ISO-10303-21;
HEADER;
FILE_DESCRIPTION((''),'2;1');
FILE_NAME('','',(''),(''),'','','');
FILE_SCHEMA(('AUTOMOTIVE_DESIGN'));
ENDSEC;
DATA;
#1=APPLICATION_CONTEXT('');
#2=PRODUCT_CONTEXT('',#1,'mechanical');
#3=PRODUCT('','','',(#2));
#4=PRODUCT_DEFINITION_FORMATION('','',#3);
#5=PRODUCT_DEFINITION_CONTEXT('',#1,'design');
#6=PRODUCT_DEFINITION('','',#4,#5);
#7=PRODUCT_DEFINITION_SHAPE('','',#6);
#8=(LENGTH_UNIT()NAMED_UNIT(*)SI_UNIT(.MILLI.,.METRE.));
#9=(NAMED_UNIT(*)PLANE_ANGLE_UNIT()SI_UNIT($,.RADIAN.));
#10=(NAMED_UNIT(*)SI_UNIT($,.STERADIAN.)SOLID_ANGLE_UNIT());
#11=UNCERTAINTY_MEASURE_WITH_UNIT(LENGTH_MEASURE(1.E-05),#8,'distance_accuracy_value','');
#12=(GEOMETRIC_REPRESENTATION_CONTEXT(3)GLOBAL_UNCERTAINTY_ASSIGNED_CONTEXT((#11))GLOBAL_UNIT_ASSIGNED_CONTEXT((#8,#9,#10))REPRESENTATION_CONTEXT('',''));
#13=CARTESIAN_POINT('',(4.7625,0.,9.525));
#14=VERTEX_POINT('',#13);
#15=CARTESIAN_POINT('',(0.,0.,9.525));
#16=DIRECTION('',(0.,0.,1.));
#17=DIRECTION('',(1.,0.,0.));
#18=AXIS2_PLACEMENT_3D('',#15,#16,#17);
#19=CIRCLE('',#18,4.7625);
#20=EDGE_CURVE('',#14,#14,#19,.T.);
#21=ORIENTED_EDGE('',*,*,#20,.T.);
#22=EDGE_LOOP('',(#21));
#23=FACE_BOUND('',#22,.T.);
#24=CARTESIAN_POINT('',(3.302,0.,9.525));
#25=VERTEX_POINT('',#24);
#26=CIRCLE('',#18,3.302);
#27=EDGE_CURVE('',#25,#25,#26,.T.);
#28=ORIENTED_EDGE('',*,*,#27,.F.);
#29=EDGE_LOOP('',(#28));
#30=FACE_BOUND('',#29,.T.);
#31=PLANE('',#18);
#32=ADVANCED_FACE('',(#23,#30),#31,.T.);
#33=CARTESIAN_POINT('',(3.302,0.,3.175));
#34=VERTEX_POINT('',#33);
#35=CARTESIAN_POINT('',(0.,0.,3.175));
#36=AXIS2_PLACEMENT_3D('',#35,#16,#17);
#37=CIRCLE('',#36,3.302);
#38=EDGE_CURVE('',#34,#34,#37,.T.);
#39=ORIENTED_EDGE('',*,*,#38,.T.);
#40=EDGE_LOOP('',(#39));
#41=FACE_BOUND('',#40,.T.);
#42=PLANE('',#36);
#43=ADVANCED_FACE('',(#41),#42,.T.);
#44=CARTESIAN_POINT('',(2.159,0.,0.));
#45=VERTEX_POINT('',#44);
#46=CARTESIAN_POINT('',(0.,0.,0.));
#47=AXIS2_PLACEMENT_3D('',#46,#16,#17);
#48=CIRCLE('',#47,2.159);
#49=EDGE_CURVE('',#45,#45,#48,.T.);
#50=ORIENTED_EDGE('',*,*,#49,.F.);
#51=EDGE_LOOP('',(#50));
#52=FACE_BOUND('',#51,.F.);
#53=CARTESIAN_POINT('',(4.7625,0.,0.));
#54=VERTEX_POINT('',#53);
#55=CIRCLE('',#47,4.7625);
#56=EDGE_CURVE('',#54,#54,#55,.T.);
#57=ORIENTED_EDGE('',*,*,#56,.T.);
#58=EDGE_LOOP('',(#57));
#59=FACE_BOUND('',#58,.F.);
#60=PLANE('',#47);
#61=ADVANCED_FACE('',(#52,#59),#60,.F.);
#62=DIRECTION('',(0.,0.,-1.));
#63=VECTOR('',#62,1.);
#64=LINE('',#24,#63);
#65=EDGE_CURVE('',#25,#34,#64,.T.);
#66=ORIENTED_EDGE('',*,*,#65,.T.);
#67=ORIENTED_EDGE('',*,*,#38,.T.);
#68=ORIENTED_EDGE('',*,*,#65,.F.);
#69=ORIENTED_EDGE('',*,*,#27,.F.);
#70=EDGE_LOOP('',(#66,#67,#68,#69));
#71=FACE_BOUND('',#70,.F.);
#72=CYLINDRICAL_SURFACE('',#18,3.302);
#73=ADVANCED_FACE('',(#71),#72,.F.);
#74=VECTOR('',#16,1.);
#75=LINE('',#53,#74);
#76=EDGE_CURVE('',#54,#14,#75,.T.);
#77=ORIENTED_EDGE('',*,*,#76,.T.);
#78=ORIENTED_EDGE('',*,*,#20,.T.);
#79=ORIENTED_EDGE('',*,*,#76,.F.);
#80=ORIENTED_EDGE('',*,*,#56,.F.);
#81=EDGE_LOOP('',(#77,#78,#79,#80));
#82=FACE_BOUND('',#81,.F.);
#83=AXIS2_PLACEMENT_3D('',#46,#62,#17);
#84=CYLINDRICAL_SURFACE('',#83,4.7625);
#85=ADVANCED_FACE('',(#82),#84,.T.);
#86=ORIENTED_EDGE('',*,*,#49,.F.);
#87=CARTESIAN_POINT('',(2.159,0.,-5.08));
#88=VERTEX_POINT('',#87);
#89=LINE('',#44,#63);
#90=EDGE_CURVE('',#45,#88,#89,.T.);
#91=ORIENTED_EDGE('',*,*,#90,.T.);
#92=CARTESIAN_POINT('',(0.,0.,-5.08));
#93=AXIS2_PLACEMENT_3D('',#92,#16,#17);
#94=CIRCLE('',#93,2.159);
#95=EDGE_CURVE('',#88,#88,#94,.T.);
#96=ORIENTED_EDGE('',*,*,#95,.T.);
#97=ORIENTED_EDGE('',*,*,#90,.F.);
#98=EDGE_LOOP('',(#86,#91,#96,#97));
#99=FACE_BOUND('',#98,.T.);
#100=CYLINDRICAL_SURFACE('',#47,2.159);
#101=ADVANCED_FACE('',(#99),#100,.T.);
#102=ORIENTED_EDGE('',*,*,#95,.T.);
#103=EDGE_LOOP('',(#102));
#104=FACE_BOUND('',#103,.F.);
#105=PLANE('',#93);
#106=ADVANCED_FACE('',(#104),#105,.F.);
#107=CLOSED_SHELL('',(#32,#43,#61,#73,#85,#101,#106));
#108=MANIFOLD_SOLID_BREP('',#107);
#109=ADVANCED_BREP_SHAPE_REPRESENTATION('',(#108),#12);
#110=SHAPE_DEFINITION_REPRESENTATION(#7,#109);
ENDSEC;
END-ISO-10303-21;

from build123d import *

# Parameters (mm, degrees)
F0_R     = 4.7625
F0_R_2   = 2.159
F1_DEPTH = 9.525
F2_DEPTH = 5.08
F3_R     = 3.302
F4_DEPTH = 6.35


with BuildPart() as f1:
    # F0 (on Top) → F1 (new body)
    with BuildSketch(Plane.XY):
        Circle(F0_R)
        Circle(F0_R_2, mode=Mode.SUBTRACT)
        Circle(F0_R_2)
    extrude(amount=F1_DEPTH)

    # F0 (on Top) → F2 (join)
    with BuildSketch(Plane.XY):
        Circle(F0_R_2)
    extrude(amount=-F2_DEPTH)

    # F3 (on face) → F4 (cut)
    with BuildSketch(Plane.XY.offset(9.525)):
        Circle(F3_R)
    extrude(amount=-F4_DEPTH, mode=Mode.SUBTRACT)


solid = f1.part
